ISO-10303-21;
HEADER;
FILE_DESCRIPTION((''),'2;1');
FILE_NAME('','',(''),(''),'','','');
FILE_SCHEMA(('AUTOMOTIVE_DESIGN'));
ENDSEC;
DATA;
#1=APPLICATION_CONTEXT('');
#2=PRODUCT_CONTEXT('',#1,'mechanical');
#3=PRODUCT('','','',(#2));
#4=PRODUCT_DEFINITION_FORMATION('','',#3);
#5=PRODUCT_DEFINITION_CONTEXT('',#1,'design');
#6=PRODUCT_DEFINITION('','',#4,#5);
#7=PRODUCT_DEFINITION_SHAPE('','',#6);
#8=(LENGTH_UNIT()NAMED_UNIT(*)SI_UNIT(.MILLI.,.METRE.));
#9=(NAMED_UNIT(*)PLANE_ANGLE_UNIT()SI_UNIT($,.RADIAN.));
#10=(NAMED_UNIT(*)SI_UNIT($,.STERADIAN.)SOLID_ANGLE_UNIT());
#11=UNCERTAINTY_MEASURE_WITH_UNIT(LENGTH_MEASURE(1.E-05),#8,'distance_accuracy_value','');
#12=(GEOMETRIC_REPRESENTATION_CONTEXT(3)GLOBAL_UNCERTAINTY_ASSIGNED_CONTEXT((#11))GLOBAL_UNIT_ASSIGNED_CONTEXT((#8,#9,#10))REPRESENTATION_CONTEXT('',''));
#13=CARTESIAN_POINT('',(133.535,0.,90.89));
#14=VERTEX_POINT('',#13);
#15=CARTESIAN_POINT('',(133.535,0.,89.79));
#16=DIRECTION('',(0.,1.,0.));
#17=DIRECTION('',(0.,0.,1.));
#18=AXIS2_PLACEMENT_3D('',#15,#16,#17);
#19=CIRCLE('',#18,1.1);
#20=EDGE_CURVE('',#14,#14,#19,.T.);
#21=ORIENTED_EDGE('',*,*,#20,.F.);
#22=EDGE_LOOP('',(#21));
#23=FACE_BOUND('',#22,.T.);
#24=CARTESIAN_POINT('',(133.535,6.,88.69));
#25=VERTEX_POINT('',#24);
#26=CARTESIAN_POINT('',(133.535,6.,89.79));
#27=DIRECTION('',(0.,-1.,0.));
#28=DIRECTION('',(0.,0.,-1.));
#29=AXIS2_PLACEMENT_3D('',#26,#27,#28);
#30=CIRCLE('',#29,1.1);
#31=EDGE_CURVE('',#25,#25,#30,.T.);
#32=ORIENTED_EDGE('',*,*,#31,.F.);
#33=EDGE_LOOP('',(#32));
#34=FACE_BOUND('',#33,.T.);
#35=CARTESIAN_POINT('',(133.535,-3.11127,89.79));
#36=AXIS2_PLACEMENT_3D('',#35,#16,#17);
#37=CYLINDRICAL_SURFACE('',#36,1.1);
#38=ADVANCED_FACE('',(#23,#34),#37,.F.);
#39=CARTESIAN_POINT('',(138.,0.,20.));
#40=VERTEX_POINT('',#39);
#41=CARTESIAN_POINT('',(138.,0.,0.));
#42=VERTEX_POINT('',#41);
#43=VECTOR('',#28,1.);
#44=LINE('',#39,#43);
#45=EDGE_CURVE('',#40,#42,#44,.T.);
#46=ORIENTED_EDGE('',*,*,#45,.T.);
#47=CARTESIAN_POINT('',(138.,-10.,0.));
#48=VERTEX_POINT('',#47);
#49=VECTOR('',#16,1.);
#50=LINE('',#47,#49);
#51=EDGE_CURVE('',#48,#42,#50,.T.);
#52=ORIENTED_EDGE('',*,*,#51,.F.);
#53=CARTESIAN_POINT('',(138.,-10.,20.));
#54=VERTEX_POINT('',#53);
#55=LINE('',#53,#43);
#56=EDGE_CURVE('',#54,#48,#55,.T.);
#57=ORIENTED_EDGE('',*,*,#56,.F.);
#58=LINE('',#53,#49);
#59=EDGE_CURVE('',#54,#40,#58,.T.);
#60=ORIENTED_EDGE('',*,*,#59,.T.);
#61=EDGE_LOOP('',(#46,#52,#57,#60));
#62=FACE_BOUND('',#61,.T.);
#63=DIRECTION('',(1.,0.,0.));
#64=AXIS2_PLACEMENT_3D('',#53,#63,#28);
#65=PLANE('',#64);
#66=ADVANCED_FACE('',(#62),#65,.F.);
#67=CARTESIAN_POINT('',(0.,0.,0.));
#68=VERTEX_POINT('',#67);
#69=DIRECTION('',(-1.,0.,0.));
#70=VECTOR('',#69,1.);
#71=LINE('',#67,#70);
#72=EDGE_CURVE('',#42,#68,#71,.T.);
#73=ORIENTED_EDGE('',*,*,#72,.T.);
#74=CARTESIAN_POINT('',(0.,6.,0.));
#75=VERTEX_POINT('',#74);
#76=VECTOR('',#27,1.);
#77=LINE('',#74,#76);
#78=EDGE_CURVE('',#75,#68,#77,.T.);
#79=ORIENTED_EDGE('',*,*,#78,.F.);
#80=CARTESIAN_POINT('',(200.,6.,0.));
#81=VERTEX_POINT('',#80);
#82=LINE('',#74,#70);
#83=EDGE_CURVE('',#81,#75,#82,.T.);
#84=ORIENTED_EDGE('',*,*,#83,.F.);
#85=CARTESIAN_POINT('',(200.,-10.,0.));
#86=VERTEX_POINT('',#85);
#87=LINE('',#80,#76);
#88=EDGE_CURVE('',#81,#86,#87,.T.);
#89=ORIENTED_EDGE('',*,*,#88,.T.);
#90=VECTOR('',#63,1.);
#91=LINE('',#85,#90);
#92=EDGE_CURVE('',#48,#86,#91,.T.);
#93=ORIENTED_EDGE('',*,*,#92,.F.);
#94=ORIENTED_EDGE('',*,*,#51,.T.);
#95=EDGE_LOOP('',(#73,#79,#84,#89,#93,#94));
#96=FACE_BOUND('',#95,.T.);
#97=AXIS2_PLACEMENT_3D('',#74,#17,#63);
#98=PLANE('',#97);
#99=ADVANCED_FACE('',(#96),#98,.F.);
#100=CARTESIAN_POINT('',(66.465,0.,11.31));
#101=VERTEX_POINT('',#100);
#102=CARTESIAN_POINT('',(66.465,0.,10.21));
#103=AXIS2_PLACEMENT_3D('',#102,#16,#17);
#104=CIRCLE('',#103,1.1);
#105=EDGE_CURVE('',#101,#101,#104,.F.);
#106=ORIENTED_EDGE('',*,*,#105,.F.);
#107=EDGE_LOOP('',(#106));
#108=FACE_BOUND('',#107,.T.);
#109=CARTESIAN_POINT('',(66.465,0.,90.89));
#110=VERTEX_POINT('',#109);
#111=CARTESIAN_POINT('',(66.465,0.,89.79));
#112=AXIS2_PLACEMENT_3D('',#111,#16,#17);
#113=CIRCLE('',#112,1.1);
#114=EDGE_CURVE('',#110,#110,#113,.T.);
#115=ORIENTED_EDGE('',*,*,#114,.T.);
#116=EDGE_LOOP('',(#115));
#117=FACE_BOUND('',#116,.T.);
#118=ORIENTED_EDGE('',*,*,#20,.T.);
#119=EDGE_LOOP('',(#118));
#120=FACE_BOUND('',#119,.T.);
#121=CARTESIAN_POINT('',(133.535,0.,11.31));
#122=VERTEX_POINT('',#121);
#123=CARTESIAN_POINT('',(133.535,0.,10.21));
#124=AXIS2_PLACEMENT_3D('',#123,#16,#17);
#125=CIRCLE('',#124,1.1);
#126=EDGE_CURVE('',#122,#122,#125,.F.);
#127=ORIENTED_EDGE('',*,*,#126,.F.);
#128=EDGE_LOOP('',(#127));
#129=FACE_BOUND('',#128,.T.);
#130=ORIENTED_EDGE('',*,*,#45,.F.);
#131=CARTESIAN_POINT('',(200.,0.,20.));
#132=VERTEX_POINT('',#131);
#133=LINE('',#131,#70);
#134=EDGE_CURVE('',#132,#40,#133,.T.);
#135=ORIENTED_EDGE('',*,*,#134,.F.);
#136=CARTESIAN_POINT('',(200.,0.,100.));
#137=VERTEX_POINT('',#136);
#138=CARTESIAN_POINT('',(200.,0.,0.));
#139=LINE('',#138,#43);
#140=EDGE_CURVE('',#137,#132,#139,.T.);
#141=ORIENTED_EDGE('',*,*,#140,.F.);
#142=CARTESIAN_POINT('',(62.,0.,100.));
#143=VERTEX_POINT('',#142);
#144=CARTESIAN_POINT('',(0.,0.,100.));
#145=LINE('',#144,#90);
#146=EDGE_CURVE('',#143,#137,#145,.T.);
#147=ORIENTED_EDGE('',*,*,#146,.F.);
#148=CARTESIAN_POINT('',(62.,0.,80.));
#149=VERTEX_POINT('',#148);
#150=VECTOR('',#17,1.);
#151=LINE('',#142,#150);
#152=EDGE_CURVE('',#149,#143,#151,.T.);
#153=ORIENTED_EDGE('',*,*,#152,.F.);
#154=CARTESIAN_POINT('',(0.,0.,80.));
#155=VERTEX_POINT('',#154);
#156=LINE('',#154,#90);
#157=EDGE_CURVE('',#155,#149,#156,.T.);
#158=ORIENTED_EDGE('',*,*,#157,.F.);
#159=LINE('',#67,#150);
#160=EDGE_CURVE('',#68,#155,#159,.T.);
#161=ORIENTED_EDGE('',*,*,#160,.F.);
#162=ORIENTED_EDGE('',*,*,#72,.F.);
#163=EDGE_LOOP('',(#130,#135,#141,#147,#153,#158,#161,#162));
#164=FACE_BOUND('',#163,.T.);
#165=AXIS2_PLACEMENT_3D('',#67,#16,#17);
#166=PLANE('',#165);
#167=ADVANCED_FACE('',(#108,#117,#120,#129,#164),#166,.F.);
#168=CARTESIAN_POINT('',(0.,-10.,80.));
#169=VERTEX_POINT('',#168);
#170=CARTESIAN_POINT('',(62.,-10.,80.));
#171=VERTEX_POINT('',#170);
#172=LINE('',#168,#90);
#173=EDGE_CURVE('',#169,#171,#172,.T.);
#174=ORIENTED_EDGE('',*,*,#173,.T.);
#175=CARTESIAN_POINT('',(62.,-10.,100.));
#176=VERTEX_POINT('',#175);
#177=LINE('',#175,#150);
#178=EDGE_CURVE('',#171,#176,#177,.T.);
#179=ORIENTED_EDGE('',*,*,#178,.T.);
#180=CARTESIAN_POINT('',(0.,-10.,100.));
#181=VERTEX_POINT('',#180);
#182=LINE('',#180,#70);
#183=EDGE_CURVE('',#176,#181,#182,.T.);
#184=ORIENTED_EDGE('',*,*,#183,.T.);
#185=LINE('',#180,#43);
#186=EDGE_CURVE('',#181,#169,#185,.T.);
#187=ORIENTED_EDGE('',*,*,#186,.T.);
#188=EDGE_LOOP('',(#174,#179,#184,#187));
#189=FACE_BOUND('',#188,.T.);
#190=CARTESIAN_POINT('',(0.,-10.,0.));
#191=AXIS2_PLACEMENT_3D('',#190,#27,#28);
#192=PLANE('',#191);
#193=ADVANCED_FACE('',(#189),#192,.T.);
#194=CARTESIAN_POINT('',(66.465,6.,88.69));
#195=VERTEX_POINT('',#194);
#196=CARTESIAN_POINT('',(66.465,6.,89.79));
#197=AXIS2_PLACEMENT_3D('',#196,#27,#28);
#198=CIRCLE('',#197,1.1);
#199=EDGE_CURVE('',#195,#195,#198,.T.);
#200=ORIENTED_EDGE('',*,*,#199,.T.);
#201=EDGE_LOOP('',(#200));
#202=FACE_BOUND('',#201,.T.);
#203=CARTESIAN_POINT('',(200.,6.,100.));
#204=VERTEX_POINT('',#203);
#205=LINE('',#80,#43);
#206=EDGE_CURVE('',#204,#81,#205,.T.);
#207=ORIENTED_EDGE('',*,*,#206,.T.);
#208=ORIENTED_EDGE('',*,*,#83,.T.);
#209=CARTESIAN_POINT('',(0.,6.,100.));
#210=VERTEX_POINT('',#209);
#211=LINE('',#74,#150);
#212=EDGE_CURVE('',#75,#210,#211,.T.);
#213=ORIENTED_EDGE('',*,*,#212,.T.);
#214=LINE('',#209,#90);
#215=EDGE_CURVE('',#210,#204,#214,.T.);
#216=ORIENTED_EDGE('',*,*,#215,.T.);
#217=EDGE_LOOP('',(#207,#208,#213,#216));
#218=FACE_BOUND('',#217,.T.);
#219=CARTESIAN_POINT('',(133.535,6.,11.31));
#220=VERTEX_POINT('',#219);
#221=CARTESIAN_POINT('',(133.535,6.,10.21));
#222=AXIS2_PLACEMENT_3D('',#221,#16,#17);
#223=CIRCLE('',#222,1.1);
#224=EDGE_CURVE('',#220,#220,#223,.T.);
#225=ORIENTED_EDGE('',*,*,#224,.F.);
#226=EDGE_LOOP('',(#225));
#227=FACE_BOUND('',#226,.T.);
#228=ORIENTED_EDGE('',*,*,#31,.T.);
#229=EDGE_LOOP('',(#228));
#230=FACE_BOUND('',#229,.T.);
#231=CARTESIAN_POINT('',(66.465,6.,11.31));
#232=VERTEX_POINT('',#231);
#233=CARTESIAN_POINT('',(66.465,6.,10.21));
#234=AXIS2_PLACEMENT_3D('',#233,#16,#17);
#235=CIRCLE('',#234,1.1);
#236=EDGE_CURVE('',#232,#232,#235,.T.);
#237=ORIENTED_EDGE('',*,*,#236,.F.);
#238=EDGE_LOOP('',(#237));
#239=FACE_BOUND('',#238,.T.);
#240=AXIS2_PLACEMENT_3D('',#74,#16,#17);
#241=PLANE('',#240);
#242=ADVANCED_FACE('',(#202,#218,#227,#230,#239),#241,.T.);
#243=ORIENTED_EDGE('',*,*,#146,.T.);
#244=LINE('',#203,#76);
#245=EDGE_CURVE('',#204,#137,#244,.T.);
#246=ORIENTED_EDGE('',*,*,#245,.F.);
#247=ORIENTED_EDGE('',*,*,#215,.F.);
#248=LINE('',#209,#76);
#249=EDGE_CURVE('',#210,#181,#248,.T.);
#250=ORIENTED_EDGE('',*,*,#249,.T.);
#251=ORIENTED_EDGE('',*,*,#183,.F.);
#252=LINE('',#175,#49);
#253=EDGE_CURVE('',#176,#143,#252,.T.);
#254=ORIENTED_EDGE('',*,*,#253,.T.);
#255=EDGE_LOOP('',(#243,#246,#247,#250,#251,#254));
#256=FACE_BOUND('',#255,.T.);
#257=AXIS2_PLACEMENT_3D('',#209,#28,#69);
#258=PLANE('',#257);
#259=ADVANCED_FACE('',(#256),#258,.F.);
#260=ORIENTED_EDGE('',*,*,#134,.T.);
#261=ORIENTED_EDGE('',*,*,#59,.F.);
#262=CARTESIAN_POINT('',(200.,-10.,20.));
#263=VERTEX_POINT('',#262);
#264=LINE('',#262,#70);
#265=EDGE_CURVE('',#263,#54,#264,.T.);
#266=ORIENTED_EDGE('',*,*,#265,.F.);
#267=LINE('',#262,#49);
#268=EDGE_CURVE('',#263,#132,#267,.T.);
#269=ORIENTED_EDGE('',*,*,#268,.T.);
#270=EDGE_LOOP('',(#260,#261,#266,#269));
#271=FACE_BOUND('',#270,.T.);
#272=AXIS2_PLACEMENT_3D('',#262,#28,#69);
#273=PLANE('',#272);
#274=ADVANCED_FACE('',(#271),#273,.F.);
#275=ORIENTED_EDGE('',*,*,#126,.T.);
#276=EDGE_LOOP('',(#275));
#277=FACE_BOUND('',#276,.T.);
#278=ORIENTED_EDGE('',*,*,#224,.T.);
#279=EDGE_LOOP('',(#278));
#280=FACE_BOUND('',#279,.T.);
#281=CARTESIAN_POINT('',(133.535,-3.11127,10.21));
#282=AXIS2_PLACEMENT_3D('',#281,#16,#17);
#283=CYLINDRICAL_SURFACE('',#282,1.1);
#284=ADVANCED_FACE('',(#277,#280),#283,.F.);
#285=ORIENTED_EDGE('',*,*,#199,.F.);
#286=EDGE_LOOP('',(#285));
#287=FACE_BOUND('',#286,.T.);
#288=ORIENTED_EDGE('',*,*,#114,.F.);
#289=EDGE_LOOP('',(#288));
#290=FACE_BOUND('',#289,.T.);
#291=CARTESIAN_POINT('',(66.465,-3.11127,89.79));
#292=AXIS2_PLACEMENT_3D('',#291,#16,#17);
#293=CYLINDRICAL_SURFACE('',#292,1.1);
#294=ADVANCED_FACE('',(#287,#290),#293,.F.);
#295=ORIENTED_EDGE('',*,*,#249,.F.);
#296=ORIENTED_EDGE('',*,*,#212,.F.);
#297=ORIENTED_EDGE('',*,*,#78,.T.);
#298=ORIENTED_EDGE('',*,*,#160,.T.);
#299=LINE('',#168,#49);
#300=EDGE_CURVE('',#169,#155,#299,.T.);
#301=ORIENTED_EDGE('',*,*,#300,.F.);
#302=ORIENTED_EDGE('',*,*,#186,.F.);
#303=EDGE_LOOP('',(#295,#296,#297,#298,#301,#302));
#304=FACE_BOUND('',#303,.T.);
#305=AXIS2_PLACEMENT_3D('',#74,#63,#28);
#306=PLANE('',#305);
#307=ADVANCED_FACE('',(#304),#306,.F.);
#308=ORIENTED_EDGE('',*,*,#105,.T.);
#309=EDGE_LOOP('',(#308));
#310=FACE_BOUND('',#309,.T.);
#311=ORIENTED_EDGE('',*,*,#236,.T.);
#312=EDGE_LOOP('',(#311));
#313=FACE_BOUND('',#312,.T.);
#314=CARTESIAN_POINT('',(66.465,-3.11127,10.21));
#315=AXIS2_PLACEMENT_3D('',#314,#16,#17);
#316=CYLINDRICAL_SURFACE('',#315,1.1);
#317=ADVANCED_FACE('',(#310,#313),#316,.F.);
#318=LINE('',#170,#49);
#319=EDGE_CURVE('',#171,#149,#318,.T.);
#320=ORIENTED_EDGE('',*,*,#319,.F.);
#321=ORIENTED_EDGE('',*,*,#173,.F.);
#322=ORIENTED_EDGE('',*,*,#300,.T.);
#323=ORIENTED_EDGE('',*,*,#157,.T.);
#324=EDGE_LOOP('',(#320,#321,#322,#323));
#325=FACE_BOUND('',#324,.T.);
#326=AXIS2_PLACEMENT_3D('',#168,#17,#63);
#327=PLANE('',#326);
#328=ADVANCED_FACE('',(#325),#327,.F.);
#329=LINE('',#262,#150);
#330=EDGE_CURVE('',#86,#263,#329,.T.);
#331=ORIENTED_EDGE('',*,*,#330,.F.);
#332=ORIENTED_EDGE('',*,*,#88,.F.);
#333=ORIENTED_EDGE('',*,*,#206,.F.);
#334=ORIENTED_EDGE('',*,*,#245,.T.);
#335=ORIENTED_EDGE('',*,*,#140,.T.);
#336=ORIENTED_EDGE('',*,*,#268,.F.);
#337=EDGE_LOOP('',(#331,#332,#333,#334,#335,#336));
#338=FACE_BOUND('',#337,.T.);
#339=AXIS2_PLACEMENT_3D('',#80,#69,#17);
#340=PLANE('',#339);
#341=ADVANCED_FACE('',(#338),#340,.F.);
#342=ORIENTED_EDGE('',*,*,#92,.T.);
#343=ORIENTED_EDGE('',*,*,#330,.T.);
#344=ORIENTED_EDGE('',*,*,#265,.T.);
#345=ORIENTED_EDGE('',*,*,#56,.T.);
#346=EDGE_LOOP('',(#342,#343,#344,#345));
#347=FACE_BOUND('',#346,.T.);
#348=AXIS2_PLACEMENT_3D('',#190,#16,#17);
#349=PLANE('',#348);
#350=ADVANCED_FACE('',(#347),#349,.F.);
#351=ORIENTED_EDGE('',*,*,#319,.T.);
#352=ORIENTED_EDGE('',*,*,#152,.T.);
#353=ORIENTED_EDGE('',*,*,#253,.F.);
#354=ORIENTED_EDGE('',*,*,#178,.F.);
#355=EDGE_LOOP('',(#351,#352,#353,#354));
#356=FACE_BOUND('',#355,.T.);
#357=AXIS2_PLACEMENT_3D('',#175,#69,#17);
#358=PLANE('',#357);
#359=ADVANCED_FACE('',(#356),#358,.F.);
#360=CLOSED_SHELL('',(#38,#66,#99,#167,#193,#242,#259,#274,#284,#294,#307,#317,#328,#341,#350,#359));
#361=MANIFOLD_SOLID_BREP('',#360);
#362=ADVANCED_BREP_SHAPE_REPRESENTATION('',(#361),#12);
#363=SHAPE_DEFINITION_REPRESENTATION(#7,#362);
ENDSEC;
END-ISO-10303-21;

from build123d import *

# Parameters (mm, degrees)
SKETCH2_W           = 200
SKETCH2_H           = 100
BOSS_EXTRUDE1_DEPTH = 6
SKETCH3_R           = 1.1
CUT_EXTRUDE1_DEPTH  = 6
SKETCH4_W           = 62
SKETCH4_H           = 20
BOSS_EXTRUDE2_DEPTH = 10


with BuildPart() as part:
    # Sketch2 → Boss-Extrude1 (new body)
    with BuildSketch(Plane(origin=(0, 0, 0), x_dir=(1, 0, 0), z_dir=(0, 1, 0))):
        with Locations((100, -50)):
            Rectangle(SKETCH2_W, SKETCH2_H)
    extrude(amount=BOSS_EXTRUDE1_DEPTH)

    # Sketch3 → Cut-Extrude1 (cut)
    with BuildSketch(Plane(origin=(0, 6, 0), x_dir=(1, 0, 0), z_dir=(0, 1, 0))):
        with Locations(Location((66.465, -10.21, 0), (0, 0, 270))):
            Circle(SKETCH3_R)
        with Locations(Location((133.535, -10.21, 0), (0, 0, 270))):
            Circle(SKETCH3_R)
    cut_extrude1 = extrude(amount=-CUT_EXTRUDE1_DEPTH, mode=Mode.SUBTRACT)

    # Mirror1: Cut-Extrude1 across plane
    add(cut_extrude1.mirror(Plane.XY.offset(50)), mode=Mode.SUBTRACT)

    # Sketch4 → Boss-Extrude2 (add)
    with BuildSketch(Plane.XZ):
        with Locations((31, 90)):
            Rectangle(SKETCH4_W, SKETCH4_H)
        with Locations((169, 10)):
            Rectangle(SKETCH4_W, SKETCH4_H)
    extrude(amount=BOSS_EXTRUDE2_DEPTH)


solid = part.part
